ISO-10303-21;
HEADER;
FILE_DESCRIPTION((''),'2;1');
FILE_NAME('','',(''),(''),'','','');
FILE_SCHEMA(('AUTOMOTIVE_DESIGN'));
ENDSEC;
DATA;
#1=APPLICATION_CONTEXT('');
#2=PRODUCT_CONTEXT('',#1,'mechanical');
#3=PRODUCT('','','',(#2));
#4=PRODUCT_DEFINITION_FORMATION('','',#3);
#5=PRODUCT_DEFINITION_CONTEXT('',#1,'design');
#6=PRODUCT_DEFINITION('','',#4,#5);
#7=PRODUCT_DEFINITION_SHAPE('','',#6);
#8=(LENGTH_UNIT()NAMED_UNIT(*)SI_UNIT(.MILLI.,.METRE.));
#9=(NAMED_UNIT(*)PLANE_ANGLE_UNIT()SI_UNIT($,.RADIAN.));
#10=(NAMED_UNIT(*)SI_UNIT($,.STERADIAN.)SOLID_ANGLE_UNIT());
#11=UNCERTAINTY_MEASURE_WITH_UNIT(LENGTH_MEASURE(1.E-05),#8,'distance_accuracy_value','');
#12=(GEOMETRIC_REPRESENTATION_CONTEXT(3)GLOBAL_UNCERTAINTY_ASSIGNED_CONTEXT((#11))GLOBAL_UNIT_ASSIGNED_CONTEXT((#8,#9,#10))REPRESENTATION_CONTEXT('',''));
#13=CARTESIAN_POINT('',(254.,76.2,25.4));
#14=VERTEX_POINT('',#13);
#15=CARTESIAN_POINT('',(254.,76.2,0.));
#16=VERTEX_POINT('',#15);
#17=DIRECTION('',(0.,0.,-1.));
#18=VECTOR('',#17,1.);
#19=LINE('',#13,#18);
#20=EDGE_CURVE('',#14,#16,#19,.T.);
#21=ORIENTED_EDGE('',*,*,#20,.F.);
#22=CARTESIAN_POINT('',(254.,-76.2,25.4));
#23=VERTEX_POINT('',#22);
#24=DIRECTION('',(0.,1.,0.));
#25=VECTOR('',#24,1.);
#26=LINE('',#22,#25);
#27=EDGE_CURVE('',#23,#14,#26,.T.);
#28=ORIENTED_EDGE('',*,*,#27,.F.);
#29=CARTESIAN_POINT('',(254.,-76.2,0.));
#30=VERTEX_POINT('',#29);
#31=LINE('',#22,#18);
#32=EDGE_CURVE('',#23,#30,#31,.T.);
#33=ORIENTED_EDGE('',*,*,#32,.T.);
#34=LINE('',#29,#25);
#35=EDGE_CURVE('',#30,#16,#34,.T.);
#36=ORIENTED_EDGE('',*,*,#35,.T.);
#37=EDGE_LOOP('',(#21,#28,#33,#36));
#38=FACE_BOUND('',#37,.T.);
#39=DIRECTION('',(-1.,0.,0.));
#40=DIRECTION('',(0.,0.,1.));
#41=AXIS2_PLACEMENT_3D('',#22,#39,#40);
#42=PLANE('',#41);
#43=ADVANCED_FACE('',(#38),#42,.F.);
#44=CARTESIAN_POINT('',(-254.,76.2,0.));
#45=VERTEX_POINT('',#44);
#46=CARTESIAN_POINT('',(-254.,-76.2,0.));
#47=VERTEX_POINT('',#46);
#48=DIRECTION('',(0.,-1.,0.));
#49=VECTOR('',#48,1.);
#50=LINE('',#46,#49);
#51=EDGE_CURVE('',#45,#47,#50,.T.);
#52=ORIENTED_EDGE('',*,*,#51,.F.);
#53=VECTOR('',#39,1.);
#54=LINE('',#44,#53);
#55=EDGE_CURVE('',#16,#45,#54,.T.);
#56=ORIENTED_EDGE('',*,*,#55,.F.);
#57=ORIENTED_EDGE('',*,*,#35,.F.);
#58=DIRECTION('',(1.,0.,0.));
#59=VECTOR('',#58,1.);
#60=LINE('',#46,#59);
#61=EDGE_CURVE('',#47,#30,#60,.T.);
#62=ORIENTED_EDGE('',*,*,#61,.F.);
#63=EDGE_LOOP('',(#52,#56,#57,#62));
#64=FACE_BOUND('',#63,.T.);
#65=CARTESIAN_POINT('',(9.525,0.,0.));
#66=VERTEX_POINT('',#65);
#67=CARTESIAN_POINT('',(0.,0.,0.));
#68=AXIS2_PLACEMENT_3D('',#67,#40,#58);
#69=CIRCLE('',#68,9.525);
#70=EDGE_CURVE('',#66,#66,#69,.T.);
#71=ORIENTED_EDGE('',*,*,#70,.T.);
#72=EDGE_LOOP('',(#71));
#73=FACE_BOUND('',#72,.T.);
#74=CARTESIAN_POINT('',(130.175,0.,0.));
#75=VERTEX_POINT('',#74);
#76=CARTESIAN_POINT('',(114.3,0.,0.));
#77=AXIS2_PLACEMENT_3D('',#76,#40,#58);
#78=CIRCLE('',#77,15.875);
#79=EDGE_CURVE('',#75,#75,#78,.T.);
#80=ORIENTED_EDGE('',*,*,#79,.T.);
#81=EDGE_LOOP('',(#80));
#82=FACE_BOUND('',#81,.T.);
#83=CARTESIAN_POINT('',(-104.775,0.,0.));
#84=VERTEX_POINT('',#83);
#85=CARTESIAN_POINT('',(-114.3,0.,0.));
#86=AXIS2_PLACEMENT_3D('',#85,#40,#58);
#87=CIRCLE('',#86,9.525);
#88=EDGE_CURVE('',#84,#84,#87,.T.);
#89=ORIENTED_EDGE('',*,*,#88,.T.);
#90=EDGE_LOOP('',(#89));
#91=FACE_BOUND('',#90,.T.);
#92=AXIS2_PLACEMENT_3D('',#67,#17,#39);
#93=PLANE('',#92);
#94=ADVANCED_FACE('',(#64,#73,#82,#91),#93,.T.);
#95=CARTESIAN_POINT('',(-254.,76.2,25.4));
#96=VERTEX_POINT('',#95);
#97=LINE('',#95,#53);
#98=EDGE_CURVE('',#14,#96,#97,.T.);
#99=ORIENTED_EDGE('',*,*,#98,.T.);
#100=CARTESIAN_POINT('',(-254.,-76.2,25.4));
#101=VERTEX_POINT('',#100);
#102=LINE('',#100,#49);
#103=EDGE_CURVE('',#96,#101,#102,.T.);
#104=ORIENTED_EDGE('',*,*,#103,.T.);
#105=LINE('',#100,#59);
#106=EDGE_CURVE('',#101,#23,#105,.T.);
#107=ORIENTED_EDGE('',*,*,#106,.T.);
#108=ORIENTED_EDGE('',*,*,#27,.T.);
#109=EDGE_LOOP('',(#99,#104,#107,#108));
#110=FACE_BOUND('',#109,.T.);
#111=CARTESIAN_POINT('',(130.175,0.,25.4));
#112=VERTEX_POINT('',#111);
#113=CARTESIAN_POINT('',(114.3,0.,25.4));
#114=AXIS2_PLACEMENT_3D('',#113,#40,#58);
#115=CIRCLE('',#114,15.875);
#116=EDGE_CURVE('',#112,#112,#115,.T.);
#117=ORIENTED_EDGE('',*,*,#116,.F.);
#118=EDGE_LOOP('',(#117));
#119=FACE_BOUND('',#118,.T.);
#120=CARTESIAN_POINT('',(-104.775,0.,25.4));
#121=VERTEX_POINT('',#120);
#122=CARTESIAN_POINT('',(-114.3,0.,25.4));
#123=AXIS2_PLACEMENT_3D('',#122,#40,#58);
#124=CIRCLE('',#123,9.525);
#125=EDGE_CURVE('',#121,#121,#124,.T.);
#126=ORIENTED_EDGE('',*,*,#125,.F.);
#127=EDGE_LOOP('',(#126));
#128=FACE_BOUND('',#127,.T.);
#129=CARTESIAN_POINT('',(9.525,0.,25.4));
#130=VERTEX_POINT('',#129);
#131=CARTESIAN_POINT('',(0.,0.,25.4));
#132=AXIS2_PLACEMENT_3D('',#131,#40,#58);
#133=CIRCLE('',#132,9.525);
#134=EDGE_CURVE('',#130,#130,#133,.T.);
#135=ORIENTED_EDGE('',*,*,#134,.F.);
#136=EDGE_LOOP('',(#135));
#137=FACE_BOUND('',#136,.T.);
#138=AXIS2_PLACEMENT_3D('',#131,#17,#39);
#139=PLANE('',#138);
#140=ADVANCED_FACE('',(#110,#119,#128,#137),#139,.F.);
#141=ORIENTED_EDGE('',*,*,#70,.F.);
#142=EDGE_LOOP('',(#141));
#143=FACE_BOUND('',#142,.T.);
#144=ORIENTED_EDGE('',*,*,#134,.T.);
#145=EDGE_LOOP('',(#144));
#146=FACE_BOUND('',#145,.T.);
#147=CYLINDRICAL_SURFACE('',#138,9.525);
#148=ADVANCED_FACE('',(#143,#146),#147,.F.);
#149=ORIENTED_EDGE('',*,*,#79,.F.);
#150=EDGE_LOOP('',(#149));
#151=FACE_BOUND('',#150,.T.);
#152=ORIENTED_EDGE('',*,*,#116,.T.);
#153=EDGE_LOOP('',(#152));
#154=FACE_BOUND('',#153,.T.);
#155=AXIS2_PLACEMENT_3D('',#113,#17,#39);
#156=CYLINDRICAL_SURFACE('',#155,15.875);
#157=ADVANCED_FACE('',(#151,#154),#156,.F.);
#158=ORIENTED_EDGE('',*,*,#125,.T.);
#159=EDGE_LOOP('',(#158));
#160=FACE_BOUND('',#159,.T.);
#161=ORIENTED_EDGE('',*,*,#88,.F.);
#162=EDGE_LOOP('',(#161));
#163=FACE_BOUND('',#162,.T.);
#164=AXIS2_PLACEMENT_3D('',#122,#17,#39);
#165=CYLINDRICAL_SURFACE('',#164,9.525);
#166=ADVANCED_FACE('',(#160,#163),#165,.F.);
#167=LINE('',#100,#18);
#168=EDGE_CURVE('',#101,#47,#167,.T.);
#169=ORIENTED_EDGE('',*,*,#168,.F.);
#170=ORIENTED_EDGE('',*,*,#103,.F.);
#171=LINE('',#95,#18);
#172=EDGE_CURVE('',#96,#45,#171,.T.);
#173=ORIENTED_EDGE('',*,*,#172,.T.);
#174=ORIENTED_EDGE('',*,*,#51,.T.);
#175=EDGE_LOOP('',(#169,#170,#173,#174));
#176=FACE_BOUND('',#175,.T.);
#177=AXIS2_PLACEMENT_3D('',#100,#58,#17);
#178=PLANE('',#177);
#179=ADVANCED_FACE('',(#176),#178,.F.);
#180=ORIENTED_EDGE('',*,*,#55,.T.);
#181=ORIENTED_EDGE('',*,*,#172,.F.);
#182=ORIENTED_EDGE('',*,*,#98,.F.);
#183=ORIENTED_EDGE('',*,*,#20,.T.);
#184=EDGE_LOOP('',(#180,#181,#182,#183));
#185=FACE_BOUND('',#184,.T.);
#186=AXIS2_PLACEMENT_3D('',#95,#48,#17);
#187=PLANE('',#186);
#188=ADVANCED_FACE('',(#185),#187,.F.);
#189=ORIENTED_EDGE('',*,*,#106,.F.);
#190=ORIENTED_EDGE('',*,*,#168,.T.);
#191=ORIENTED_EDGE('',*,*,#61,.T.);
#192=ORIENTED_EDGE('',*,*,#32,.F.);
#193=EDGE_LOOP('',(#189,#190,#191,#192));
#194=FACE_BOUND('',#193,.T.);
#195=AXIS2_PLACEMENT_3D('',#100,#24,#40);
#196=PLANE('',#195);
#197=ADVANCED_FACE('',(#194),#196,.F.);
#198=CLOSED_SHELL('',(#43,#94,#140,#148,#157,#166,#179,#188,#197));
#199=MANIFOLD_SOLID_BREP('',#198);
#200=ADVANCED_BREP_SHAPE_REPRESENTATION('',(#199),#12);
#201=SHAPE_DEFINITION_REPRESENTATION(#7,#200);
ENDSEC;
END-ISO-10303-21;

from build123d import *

# Parameters (mm, degrees)
SKETCH1_W           = 508
SKETCH1_H           = 152.4
SKETCH1_R           = 9.525
SKETCH1_R_2         = 15.875
BOSS_EXTRUDE1_DEPTH = 25.4


with BuildPart() as part:
    # Sketch1 → Boss-Extrude1 (new body)
    with BuildSketch(Plane.XY):
        Rectangle(SKETCH1_W, SKETCH1_H)
        with Locations((-114.3, 0)):
            Circle(SKETCH1_R, mode=Mode.SUBTRACT)
        Circle(SKETCH1_R, mode=Mode.SUBTRACT)
        with Locations((114.3, 0)):
            Circle(SKETCH1_R_2, mode=Mode.SUBTRACT)
    extrude(amount=BOSS_EXTRUDE1_DEPTH)


solid = part.part
